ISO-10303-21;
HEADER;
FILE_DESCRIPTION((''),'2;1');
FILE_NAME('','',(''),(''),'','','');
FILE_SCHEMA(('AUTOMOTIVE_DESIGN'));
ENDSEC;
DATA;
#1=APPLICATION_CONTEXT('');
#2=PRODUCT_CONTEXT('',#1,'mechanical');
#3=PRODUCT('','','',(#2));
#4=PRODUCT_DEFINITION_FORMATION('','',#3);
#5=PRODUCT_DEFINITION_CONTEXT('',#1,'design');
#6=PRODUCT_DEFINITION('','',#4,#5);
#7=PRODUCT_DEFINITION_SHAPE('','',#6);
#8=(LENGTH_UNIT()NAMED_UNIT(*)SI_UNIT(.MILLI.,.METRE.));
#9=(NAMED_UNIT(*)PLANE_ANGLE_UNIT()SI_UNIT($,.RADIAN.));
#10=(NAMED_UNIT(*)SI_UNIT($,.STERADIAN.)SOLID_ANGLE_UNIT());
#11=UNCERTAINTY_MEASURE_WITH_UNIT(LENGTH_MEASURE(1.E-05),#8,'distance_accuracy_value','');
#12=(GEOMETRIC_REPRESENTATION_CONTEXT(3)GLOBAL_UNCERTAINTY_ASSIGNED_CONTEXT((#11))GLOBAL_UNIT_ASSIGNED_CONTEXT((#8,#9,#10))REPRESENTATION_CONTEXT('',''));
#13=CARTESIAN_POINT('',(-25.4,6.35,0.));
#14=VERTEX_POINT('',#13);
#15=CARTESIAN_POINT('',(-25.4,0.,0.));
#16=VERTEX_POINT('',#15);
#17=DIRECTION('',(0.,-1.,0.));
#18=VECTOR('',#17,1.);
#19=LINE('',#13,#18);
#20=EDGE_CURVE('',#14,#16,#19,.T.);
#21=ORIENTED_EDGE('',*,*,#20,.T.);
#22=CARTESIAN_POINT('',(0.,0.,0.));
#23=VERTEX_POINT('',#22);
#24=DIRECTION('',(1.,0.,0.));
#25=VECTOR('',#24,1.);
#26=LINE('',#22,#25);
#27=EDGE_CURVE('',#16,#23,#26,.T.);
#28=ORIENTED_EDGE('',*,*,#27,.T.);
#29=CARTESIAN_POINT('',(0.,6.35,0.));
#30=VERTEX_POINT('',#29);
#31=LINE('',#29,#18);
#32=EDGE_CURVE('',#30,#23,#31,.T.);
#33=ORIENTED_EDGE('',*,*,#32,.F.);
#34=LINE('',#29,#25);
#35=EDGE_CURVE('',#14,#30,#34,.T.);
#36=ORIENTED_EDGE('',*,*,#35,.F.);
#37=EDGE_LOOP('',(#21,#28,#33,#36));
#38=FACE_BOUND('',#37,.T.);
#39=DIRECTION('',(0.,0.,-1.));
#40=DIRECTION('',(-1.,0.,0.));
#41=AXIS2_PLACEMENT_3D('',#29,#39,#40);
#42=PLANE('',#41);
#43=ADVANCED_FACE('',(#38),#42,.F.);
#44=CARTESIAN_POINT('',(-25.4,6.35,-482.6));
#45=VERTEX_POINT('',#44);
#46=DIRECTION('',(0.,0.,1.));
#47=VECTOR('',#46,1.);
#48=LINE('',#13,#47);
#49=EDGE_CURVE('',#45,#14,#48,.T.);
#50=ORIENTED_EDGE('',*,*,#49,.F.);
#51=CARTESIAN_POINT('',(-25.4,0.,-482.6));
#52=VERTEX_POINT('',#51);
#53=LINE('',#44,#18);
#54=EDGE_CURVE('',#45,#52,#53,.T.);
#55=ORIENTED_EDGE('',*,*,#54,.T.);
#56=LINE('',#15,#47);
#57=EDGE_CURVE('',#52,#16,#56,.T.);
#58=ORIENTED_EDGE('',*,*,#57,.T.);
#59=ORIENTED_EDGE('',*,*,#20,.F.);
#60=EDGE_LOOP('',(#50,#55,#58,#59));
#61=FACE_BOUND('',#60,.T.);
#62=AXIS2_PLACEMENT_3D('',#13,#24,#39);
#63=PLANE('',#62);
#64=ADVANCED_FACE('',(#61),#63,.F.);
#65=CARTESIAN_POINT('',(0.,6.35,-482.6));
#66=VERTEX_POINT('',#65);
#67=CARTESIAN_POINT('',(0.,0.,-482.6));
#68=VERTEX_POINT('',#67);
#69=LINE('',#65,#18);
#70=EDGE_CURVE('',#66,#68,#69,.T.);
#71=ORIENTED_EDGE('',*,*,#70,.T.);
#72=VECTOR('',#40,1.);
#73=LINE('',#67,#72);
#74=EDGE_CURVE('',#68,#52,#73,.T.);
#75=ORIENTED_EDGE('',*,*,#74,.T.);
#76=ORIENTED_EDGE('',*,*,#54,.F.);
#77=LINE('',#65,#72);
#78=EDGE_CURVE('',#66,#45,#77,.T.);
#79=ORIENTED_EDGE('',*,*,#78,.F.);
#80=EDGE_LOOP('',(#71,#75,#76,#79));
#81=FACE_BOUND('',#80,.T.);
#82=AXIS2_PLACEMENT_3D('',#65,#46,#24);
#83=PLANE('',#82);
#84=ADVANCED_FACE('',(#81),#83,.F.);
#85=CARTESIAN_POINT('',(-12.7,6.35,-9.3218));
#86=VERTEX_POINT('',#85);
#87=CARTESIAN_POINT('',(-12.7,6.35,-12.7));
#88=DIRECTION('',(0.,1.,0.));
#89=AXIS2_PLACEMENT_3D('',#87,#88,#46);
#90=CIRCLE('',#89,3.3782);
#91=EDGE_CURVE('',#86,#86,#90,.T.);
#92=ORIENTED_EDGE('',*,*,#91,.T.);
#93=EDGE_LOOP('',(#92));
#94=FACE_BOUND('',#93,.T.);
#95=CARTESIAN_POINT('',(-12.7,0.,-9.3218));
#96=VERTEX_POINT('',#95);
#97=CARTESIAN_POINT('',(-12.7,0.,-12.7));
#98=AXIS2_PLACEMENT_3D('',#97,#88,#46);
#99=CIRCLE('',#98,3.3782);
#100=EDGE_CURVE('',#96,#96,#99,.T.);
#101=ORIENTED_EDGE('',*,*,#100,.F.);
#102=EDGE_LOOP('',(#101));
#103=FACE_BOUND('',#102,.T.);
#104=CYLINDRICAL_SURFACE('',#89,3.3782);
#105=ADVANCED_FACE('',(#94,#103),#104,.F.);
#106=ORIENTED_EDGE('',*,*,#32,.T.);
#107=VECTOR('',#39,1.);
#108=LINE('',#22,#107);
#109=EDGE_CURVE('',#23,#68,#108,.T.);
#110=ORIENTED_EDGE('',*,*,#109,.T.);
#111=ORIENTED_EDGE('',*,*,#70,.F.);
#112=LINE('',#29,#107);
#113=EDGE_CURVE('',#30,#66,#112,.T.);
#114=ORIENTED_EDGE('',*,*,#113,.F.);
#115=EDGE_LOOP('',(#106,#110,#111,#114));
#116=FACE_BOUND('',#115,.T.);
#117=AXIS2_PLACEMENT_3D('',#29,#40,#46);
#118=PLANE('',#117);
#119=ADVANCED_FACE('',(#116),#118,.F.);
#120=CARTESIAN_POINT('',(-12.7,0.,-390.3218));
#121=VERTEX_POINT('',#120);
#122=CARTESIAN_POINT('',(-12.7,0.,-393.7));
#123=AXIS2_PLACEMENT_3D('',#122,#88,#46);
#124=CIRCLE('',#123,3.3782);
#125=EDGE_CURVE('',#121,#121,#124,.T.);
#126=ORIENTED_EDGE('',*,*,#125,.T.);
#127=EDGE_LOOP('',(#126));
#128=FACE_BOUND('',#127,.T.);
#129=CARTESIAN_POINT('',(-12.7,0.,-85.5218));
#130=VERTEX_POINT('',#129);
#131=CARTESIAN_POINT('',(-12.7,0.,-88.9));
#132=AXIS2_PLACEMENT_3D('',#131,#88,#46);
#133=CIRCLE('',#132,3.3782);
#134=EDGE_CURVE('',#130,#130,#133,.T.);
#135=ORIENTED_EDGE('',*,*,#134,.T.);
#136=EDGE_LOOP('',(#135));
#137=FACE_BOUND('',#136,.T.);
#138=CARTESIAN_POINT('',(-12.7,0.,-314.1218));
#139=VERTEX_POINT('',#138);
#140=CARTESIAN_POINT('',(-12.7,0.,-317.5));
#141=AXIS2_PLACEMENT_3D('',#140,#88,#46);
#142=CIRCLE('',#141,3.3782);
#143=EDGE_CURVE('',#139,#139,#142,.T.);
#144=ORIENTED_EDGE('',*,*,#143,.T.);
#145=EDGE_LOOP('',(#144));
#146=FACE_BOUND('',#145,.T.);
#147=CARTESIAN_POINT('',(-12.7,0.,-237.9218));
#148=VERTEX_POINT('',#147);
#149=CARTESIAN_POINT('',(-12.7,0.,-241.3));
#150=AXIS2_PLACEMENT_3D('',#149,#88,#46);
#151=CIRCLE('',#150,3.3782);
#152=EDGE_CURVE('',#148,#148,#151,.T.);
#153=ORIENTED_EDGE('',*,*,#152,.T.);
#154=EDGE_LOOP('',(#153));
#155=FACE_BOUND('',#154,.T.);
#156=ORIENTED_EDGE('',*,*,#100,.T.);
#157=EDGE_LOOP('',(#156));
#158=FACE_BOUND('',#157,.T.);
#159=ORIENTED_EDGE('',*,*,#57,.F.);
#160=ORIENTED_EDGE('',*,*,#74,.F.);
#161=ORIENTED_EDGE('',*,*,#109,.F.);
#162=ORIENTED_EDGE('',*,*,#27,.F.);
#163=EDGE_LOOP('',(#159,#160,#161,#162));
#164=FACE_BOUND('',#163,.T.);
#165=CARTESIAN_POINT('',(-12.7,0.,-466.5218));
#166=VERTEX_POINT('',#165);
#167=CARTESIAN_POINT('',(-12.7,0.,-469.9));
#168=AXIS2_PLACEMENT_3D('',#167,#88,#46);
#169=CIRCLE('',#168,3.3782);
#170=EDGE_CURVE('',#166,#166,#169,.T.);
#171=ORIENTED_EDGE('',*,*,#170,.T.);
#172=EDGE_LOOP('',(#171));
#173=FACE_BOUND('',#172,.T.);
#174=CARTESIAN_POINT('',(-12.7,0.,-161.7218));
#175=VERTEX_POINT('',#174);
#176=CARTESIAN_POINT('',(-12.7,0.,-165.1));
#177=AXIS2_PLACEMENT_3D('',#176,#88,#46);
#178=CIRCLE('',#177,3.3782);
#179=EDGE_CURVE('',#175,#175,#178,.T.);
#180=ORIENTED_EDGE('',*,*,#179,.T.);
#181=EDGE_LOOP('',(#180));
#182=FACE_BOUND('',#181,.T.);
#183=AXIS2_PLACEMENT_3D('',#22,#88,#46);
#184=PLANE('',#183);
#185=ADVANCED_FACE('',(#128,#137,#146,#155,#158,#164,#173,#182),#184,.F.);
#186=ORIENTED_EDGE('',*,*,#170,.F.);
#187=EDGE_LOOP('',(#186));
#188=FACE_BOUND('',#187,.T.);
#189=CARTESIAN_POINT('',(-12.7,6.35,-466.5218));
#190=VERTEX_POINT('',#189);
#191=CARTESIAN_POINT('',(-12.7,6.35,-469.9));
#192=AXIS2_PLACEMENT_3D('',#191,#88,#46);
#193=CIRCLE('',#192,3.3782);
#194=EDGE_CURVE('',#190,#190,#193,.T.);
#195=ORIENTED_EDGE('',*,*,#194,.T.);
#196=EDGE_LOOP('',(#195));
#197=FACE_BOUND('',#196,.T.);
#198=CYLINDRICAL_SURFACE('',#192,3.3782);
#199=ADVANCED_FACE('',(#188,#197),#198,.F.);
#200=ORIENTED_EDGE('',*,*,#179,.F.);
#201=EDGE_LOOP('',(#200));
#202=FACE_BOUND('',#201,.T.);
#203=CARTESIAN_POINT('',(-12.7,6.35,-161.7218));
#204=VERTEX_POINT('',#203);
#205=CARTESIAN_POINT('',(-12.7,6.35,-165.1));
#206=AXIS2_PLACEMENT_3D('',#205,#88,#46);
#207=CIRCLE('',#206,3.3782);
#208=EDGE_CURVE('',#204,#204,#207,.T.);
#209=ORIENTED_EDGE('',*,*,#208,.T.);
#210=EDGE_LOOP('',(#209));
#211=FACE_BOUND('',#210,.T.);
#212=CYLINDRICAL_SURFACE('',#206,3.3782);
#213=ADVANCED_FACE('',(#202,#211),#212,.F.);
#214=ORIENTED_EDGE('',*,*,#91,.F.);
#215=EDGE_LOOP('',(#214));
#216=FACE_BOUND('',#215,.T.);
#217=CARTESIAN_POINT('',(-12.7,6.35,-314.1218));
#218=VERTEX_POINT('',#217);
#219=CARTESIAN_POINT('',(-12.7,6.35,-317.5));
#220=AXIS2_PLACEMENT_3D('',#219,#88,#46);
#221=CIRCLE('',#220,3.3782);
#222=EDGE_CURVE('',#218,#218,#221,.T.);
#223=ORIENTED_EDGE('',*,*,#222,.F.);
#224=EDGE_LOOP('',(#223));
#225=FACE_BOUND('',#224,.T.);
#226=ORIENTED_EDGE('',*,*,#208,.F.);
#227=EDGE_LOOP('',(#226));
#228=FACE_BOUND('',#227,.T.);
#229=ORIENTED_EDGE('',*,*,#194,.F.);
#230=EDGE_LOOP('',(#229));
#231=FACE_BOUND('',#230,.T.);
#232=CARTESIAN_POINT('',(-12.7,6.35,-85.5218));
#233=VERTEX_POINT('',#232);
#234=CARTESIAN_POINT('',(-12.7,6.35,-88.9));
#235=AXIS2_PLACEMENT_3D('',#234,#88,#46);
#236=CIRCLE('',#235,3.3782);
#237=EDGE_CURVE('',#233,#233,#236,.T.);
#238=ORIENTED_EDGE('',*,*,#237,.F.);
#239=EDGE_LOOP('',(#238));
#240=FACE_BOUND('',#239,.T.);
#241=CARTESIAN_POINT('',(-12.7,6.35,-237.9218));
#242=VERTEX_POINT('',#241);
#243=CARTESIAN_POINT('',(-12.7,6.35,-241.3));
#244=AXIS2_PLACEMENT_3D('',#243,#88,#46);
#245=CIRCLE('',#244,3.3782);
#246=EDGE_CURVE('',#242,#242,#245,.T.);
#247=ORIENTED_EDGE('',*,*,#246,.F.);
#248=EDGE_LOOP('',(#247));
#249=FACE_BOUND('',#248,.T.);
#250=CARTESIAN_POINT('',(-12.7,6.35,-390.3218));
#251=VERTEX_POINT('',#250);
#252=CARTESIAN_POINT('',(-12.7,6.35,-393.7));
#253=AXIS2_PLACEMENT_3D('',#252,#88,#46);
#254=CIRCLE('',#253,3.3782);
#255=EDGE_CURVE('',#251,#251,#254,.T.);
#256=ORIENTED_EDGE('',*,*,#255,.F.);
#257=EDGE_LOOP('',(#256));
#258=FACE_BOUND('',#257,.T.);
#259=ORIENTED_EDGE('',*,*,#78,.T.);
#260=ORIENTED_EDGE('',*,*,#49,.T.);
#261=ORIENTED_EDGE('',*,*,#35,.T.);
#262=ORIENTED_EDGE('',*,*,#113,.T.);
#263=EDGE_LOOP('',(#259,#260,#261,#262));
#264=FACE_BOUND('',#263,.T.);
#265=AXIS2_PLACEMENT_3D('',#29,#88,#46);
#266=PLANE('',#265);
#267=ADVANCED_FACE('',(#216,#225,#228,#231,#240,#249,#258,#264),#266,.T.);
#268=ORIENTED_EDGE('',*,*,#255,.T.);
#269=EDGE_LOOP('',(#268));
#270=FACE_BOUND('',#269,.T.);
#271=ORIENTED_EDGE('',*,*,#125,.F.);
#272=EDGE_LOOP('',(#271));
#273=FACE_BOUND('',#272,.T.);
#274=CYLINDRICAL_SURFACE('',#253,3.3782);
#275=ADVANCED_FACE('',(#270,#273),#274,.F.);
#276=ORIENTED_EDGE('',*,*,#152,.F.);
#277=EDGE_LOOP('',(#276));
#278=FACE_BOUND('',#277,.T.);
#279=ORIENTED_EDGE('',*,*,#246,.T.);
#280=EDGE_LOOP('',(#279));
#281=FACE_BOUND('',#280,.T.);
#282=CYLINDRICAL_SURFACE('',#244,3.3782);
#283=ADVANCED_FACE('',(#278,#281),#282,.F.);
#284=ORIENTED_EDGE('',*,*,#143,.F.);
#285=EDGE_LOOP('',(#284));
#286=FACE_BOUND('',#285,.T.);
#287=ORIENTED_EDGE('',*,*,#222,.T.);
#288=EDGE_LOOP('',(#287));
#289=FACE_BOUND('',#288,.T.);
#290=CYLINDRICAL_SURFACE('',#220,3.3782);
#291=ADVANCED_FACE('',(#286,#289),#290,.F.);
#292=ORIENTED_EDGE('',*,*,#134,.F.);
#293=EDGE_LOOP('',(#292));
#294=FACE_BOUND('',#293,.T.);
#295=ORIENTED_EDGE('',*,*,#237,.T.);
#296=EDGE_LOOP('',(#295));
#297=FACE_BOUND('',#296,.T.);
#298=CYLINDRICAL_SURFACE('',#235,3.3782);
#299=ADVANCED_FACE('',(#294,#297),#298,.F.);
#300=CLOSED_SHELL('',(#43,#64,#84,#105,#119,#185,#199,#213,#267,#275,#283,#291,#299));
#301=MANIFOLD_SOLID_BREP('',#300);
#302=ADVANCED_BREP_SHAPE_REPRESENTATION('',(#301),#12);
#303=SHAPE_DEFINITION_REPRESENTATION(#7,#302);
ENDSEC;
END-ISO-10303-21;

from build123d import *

# Parameters (mm, degrees)
SKETCH1_W               = 25.4
SKETCH1_H               = 482.6
BOSS_EXTRUDE1_DEPTH     = 6.35
F_1_4_CLEARANCE_HOLE1_D = 6.7564


with BuildPart() as part:
    # Sketch1 → Boss-Extrude1 (new body)
    with BuildSketch(Plane(origin=(0, 0, 0), x_dir=(1, 0, 0), z_dir=(0, 1, 0))):
        with Locations((-12.7, 241.3)):
            Rectangle(SKETCH1_W, SKETCH1_H)
    extrude(amount=BOSS_EXTRUDE1_DEPTH)

    # 1/4 Clearance Hole1 (through all)
    with Locations(Plane(origin=(0, 6.35, 0), x_dir=(1, 0, 0), z_dir=(0, 1, 0))):
        with Locations((-12.7, 12.7), (-12.7, 88.9), (-12.7, 165.1), (-12.7, 241.3), (-12.7, 317.5), (-12.7, 393.7), (-12.7, 469.9)):
            Hole(F_1_4_CLEARANCE_HOLE1_D / 2)


solid = part.part
